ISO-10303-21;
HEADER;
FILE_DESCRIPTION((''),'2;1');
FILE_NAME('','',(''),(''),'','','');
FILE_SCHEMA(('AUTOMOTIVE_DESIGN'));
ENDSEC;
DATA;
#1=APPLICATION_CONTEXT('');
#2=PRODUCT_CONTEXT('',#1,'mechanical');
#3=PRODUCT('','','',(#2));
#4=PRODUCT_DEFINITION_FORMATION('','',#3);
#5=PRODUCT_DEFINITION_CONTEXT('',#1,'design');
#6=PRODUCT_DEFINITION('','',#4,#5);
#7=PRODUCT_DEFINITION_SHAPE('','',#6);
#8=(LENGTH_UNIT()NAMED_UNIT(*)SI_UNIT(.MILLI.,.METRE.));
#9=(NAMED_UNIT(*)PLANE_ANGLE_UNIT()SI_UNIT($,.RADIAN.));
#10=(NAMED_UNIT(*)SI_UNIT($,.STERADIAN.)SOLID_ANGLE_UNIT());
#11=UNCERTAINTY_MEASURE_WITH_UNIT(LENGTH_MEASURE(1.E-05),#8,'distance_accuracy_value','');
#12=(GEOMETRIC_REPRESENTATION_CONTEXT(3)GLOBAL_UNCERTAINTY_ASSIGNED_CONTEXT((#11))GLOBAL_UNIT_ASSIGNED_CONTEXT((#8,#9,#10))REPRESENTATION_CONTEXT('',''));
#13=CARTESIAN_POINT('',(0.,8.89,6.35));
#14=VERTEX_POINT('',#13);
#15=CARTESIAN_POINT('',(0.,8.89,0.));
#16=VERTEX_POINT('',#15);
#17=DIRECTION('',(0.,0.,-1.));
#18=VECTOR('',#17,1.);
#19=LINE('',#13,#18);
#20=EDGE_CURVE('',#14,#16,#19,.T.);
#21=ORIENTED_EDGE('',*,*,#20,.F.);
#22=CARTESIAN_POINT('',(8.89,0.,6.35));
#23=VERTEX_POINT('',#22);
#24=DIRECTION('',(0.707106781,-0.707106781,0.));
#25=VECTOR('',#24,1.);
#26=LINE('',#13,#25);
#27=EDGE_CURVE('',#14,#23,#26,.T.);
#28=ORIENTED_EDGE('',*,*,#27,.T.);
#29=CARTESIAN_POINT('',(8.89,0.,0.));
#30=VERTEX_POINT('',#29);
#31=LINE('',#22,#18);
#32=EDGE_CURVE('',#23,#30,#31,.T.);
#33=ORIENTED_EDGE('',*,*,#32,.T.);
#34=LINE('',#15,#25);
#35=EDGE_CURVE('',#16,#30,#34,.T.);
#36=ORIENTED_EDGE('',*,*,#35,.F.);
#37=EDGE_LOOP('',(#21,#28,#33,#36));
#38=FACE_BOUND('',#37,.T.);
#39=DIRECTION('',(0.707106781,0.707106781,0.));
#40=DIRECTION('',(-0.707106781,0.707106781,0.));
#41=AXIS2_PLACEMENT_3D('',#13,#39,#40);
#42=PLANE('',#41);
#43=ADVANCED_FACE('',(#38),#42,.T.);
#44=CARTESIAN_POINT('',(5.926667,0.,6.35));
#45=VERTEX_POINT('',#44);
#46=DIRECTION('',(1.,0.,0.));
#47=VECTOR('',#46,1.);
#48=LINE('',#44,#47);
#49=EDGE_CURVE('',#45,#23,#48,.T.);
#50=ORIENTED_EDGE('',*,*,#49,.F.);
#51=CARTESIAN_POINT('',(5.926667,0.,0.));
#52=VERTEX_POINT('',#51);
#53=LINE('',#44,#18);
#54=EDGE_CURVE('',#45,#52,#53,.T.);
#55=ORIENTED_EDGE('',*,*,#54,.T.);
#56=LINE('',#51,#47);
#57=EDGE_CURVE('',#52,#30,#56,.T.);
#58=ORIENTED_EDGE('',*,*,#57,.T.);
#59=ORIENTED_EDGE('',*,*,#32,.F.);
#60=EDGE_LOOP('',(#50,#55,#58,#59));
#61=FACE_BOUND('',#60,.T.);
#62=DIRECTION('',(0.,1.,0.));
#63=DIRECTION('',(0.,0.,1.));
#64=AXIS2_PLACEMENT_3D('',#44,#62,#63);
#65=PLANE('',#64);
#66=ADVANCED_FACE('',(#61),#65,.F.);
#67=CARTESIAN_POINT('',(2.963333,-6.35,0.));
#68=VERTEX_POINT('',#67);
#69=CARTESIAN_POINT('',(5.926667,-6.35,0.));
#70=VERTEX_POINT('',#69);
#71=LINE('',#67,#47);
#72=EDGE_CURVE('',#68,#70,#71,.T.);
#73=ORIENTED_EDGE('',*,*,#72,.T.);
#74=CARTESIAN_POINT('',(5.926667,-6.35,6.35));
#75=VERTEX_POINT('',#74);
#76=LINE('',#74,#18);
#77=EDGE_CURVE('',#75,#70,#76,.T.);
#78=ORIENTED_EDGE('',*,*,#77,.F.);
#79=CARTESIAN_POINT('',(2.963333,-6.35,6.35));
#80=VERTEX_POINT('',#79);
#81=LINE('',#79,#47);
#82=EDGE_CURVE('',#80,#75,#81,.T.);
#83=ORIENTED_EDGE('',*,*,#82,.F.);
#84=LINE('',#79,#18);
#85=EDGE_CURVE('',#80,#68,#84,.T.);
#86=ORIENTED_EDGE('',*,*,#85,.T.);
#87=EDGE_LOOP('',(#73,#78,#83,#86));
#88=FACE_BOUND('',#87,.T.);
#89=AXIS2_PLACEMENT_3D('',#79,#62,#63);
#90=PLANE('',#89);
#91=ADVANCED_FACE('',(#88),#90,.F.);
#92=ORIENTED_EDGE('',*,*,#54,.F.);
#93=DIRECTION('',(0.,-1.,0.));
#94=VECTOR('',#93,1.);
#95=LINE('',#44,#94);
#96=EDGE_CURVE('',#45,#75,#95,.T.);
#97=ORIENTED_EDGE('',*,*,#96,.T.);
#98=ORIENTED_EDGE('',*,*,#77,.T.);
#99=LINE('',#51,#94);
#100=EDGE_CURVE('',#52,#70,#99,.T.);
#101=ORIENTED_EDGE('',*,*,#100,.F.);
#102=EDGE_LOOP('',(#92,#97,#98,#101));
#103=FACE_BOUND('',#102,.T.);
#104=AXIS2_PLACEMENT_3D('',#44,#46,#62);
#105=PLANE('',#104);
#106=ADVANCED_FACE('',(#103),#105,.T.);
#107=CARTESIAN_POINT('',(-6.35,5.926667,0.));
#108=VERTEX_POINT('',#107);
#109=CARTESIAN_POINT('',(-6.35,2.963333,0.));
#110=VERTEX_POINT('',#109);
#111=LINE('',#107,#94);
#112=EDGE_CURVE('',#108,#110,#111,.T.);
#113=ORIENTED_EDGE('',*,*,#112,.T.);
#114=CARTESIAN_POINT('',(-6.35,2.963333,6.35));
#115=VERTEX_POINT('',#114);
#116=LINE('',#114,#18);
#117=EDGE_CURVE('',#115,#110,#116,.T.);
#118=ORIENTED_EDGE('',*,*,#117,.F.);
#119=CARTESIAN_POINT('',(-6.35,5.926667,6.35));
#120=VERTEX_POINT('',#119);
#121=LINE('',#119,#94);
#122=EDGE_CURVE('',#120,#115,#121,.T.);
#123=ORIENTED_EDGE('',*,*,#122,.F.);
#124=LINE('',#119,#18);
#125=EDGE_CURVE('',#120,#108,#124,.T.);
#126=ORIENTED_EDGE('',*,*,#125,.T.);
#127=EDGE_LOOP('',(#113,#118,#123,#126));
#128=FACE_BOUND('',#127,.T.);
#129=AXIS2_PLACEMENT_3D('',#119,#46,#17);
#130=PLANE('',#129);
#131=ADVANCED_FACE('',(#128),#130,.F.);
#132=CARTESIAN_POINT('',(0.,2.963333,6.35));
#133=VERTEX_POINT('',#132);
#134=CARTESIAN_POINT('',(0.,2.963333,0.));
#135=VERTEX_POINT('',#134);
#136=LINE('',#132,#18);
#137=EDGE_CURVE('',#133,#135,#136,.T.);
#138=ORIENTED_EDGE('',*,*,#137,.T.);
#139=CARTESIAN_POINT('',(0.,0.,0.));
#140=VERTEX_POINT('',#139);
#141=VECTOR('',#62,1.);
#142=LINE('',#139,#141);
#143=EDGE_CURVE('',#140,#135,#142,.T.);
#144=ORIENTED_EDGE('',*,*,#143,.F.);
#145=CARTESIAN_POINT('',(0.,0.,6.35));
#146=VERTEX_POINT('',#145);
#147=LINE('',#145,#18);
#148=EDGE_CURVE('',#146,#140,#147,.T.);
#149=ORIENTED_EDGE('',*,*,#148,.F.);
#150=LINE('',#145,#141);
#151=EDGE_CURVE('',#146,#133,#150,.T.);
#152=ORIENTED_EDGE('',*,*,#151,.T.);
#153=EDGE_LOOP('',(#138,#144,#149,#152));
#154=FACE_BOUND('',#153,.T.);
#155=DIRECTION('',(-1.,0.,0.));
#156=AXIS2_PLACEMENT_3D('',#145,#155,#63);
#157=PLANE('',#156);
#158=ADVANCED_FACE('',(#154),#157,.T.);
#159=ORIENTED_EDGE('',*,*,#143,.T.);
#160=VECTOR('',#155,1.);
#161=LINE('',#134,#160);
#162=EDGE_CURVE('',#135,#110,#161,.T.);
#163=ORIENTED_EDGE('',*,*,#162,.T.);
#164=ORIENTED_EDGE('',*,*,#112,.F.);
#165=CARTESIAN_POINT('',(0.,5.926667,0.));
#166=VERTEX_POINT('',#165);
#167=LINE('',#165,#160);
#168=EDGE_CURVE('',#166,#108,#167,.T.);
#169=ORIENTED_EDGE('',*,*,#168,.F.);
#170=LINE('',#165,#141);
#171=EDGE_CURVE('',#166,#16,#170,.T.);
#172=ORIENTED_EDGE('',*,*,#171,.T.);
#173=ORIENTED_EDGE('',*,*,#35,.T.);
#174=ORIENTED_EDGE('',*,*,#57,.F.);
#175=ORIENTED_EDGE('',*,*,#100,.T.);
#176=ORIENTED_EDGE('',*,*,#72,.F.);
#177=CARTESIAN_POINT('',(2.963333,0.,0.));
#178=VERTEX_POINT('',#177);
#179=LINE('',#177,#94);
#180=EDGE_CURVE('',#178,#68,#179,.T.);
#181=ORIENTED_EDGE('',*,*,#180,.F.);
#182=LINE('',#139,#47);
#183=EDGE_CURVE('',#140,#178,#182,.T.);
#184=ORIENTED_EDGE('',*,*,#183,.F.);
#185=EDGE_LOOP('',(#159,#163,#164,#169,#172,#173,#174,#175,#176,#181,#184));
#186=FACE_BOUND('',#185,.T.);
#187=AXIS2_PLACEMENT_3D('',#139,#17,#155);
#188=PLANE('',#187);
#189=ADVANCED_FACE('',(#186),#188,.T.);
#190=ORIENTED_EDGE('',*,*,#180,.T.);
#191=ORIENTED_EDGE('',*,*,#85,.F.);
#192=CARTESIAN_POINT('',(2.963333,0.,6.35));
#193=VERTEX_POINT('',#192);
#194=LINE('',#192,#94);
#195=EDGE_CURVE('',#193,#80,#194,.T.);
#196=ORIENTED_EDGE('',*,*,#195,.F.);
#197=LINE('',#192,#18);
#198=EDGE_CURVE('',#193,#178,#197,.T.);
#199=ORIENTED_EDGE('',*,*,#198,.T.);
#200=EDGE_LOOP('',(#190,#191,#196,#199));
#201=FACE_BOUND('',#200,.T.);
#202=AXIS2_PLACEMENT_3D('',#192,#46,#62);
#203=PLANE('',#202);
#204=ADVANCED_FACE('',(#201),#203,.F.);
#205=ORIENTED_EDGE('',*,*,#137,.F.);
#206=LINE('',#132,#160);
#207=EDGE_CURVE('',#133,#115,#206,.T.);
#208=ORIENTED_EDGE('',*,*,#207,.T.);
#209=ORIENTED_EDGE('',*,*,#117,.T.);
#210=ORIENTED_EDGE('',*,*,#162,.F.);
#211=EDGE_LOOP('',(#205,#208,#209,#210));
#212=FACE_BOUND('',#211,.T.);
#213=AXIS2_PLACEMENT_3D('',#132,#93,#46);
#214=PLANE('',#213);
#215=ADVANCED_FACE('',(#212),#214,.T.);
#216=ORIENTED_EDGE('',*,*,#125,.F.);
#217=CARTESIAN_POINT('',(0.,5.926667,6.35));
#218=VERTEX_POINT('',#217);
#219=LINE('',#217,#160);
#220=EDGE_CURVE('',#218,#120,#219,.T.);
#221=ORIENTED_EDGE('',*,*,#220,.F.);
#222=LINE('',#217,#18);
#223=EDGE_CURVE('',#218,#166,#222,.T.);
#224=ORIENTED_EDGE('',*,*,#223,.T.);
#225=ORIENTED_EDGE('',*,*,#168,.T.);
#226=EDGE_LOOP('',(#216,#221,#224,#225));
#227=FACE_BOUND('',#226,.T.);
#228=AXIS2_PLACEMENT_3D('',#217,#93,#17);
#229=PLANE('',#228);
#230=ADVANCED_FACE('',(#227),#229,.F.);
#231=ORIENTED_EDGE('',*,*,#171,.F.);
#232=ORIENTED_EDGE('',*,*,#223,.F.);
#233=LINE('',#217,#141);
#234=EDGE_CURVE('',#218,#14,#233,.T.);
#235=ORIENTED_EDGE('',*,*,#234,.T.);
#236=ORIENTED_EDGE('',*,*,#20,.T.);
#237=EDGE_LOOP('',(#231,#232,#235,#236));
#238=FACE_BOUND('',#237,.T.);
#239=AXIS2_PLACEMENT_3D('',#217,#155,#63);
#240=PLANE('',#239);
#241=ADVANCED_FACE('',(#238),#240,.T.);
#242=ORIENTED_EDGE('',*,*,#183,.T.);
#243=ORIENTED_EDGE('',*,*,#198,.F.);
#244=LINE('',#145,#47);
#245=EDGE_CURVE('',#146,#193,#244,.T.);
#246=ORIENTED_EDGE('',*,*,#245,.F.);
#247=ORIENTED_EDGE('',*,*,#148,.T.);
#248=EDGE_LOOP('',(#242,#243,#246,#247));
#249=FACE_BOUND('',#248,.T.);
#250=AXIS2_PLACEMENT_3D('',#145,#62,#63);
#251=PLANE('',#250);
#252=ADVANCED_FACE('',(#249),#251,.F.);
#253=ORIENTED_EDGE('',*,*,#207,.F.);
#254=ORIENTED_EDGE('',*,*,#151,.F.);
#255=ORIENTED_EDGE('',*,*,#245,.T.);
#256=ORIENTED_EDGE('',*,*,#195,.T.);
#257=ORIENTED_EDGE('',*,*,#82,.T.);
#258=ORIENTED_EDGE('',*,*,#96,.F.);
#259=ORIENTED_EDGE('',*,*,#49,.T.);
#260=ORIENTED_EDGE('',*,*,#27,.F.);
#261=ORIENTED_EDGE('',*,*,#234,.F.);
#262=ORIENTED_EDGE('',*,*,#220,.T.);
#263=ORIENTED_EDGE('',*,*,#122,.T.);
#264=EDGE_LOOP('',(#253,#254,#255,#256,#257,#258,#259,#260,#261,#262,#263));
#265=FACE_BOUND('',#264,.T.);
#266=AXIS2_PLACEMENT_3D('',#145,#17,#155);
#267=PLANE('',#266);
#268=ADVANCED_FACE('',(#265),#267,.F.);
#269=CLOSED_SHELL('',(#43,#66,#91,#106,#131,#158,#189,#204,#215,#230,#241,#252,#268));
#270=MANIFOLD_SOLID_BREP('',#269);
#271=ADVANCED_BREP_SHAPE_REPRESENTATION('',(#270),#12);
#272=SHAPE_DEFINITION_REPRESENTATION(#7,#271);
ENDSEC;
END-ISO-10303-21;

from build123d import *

# Parameters (mm, degrees)
BOSS_EXTRUDE1_DEPTH = 6.35


with BuildPart() as part:
    # Sketch1 → Boss-Extrude1 (new body)
    with BuildSketch(Plane.XY):
        Polygon((0, 8.89), (8.89, 0), (5.926666667, 0), (5.926666667, -6.35), (2.963333333, -6.35), (2.963333333, 0), (0, 0), (0, 2.963333333), (-6.35, 2.963333333), (-6.35, 5.926666667), (0, 5.926666667), align=None)
    extrude(amount=BOSS_EXTRUDE1_DEPTH)


solid = part.part
